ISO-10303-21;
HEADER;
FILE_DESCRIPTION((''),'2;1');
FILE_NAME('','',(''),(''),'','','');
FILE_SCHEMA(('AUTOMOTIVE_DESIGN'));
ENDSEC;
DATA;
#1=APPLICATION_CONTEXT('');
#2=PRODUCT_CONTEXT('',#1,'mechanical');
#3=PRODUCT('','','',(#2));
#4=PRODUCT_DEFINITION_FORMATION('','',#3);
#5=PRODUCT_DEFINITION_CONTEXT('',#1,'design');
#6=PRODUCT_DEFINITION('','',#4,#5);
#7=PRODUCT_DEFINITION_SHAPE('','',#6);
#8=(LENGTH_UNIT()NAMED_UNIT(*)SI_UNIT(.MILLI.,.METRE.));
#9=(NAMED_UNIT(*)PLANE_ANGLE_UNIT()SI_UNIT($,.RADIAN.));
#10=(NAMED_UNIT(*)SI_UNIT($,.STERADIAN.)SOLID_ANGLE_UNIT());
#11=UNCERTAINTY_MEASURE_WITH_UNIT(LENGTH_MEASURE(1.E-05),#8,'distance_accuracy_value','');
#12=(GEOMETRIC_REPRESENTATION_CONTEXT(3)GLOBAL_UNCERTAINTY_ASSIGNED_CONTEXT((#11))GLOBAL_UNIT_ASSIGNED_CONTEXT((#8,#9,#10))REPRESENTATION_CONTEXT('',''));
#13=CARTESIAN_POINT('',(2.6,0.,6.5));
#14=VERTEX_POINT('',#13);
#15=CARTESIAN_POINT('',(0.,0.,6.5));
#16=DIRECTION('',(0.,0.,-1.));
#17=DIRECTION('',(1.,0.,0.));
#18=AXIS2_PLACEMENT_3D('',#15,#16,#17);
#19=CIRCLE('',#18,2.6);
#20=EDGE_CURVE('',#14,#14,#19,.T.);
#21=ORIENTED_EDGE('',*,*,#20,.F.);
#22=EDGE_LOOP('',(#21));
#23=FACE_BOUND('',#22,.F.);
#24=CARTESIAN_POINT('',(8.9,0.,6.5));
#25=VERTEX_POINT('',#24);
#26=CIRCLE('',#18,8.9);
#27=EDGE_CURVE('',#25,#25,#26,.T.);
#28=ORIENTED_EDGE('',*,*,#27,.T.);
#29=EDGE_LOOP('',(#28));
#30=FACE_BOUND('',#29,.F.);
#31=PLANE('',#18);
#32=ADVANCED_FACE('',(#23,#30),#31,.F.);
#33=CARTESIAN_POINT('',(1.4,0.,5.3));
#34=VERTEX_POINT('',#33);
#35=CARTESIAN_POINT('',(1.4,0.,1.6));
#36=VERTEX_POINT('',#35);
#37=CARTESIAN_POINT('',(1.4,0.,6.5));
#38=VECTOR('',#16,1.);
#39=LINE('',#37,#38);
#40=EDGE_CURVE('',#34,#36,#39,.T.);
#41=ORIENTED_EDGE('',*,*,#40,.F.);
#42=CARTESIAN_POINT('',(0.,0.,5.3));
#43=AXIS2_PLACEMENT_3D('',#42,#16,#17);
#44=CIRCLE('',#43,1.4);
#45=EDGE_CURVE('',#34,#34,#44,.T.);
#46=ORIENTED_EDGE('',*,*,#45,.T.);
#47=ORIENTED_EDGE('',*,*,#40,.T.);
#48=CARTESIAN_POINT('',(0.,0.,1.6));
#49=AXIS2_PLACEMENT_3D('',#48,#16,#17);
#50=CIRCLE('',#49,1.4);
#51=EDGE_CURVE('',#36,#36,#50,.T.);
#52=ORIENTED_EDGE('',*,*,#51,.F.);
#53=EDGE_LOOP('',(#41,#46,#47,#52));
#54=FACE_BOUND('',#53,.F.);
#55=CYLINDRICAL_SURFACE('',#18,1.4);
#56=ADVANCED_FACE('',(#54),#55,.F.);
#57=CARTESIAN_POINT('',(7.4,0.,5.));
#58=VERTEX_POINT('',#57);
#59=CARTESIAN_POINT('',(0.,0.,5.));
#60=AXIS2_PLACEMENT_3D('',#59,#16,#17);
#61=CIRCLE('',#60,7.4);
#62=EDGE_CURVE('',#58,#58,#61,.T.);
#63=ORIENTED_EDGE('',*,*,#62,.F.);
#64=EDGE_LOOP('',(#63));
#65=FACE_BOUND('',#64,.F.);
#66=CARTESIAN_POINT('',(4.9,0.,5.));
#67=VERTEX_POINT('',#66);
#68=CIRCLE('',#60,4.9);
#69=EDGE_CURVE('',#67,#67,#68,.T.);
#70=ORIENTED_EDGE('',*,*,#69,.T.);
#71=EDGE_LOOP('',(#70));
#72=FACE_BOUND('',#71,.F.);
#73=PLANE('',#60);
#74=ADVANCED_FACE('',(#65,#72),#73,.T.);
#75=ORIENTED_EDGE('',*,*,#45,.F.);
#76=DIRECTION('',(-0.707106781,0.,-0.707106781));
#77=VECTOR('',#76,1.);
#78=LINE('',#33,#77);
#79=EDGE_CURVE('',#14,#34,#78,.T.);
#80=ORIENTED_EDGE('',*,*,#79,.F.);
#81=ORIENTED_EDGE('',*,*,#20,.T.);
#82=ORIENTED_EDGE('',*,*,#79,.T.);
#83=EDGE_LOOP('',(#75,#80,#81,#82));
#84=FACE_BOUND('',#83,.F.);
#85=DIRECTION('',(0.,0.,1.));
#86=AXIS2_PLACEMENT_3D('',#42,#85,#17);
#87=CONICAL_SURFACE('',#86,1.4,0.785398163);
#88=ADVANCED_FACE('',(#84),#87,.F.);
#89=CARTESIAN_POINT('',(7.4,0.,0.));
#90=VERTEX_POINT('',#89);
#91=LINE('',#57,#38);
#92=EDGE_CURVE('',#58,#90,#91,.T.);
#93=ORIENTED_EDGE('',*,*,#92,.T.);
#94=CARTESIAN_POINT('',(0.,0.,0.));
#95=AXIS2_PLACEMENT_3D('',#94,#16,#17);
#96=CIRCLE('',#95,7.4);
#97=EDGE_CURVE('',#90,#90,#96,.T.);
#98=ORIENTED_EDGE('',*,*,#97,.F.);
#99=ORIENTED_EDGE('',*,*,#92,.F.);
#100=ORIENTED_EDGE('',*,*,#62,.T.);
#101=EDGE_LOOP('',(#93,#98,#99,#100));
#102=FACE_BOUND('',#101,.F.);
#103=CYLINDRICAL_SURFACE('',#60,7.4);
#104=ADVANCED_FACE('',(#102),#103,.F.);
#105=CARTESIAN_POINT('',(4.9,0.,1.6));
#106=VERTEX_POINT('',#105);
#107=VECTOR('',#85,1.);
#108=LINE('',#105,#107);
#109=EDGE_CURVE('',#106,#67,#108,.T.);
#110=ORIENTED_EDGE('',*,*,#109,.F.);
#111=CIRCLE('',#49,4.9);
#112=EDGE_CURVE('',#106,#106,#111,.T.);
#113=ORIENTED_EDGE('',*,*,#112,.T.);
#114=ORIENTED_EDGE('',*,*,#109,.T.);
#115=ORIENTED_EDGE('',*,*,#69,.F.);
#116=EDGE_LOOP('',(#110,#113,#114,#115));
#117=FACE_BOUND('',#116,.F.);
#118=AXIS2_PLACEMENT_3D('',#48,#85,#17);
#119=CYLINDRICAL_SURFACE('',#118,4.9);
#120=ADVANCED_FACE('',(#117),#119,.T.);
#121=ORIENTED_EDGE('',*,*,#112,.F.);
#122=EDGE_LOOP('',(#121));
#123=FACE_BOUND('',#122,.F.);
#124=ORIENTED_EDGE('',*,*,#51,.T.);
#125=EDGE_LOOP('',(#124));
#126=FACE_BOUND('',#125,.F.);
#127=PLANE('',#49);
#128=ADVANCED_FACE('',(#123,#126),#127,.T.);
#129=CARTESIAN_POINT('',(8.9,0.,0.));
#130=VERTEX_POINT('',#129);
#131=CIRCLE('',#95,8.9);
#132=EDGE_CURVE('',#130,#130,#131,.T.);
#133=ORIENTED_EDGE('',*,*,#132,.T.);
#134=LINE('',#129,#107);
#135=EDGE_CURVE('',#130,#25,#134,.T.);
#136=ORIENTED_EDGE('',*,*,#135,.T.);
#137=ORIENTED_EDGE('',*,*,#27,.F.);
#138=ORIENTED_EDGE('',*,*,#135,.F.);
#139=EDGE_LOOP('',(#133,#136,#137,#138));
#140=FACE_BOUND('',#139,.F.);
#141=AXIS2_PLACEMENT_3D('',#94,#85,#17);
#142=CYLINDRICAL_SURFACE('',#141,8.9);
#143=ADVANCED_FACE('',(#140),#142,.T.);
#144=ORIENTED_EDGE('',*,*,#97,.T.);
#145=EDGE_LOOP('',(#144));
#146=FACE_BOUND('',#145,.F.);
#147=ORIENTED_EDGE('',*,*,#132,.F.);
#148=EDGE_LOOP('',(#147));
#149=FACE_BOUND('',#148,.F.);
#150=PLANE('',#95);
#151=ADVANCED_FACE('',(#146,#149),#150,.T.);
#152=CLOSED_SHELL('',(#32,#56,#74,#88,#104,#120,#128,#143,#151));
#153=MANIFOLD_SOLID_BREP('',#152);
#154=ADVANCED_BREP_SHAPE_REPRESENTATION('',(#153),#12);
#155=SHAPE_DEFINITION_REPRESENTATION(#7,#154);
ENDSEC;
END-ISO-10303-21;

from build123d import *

# Parameters (mm, degrees)
F2_SIZE2 = 1.2
F2_SIZE  = 1.2


with BuildPart() as f1:
    # F0 (on Front) → F1 (revolve)
    with BuildSketch(Plane.XZ):
        Polygon((7.4, 0), (8.9, 0), (8.9, 6.5), (1.4, 6.5), (1.4, 1.6), (4.9, 1.6), (4.9, 5), (7.4, 5), align=None)
    revolve(axis=Axis((0, 0, 4.34384), (0, 0, -1)))

    # F2
    f2_edges = [f1.edges().sort_by_distance(p)[0] for p in [
        (-1.4, 0, 6.5),
    ]]
    chamfer(f2_edges, length=F2_SIZE, length2=F2_SIZE2)


solid = f1.part
